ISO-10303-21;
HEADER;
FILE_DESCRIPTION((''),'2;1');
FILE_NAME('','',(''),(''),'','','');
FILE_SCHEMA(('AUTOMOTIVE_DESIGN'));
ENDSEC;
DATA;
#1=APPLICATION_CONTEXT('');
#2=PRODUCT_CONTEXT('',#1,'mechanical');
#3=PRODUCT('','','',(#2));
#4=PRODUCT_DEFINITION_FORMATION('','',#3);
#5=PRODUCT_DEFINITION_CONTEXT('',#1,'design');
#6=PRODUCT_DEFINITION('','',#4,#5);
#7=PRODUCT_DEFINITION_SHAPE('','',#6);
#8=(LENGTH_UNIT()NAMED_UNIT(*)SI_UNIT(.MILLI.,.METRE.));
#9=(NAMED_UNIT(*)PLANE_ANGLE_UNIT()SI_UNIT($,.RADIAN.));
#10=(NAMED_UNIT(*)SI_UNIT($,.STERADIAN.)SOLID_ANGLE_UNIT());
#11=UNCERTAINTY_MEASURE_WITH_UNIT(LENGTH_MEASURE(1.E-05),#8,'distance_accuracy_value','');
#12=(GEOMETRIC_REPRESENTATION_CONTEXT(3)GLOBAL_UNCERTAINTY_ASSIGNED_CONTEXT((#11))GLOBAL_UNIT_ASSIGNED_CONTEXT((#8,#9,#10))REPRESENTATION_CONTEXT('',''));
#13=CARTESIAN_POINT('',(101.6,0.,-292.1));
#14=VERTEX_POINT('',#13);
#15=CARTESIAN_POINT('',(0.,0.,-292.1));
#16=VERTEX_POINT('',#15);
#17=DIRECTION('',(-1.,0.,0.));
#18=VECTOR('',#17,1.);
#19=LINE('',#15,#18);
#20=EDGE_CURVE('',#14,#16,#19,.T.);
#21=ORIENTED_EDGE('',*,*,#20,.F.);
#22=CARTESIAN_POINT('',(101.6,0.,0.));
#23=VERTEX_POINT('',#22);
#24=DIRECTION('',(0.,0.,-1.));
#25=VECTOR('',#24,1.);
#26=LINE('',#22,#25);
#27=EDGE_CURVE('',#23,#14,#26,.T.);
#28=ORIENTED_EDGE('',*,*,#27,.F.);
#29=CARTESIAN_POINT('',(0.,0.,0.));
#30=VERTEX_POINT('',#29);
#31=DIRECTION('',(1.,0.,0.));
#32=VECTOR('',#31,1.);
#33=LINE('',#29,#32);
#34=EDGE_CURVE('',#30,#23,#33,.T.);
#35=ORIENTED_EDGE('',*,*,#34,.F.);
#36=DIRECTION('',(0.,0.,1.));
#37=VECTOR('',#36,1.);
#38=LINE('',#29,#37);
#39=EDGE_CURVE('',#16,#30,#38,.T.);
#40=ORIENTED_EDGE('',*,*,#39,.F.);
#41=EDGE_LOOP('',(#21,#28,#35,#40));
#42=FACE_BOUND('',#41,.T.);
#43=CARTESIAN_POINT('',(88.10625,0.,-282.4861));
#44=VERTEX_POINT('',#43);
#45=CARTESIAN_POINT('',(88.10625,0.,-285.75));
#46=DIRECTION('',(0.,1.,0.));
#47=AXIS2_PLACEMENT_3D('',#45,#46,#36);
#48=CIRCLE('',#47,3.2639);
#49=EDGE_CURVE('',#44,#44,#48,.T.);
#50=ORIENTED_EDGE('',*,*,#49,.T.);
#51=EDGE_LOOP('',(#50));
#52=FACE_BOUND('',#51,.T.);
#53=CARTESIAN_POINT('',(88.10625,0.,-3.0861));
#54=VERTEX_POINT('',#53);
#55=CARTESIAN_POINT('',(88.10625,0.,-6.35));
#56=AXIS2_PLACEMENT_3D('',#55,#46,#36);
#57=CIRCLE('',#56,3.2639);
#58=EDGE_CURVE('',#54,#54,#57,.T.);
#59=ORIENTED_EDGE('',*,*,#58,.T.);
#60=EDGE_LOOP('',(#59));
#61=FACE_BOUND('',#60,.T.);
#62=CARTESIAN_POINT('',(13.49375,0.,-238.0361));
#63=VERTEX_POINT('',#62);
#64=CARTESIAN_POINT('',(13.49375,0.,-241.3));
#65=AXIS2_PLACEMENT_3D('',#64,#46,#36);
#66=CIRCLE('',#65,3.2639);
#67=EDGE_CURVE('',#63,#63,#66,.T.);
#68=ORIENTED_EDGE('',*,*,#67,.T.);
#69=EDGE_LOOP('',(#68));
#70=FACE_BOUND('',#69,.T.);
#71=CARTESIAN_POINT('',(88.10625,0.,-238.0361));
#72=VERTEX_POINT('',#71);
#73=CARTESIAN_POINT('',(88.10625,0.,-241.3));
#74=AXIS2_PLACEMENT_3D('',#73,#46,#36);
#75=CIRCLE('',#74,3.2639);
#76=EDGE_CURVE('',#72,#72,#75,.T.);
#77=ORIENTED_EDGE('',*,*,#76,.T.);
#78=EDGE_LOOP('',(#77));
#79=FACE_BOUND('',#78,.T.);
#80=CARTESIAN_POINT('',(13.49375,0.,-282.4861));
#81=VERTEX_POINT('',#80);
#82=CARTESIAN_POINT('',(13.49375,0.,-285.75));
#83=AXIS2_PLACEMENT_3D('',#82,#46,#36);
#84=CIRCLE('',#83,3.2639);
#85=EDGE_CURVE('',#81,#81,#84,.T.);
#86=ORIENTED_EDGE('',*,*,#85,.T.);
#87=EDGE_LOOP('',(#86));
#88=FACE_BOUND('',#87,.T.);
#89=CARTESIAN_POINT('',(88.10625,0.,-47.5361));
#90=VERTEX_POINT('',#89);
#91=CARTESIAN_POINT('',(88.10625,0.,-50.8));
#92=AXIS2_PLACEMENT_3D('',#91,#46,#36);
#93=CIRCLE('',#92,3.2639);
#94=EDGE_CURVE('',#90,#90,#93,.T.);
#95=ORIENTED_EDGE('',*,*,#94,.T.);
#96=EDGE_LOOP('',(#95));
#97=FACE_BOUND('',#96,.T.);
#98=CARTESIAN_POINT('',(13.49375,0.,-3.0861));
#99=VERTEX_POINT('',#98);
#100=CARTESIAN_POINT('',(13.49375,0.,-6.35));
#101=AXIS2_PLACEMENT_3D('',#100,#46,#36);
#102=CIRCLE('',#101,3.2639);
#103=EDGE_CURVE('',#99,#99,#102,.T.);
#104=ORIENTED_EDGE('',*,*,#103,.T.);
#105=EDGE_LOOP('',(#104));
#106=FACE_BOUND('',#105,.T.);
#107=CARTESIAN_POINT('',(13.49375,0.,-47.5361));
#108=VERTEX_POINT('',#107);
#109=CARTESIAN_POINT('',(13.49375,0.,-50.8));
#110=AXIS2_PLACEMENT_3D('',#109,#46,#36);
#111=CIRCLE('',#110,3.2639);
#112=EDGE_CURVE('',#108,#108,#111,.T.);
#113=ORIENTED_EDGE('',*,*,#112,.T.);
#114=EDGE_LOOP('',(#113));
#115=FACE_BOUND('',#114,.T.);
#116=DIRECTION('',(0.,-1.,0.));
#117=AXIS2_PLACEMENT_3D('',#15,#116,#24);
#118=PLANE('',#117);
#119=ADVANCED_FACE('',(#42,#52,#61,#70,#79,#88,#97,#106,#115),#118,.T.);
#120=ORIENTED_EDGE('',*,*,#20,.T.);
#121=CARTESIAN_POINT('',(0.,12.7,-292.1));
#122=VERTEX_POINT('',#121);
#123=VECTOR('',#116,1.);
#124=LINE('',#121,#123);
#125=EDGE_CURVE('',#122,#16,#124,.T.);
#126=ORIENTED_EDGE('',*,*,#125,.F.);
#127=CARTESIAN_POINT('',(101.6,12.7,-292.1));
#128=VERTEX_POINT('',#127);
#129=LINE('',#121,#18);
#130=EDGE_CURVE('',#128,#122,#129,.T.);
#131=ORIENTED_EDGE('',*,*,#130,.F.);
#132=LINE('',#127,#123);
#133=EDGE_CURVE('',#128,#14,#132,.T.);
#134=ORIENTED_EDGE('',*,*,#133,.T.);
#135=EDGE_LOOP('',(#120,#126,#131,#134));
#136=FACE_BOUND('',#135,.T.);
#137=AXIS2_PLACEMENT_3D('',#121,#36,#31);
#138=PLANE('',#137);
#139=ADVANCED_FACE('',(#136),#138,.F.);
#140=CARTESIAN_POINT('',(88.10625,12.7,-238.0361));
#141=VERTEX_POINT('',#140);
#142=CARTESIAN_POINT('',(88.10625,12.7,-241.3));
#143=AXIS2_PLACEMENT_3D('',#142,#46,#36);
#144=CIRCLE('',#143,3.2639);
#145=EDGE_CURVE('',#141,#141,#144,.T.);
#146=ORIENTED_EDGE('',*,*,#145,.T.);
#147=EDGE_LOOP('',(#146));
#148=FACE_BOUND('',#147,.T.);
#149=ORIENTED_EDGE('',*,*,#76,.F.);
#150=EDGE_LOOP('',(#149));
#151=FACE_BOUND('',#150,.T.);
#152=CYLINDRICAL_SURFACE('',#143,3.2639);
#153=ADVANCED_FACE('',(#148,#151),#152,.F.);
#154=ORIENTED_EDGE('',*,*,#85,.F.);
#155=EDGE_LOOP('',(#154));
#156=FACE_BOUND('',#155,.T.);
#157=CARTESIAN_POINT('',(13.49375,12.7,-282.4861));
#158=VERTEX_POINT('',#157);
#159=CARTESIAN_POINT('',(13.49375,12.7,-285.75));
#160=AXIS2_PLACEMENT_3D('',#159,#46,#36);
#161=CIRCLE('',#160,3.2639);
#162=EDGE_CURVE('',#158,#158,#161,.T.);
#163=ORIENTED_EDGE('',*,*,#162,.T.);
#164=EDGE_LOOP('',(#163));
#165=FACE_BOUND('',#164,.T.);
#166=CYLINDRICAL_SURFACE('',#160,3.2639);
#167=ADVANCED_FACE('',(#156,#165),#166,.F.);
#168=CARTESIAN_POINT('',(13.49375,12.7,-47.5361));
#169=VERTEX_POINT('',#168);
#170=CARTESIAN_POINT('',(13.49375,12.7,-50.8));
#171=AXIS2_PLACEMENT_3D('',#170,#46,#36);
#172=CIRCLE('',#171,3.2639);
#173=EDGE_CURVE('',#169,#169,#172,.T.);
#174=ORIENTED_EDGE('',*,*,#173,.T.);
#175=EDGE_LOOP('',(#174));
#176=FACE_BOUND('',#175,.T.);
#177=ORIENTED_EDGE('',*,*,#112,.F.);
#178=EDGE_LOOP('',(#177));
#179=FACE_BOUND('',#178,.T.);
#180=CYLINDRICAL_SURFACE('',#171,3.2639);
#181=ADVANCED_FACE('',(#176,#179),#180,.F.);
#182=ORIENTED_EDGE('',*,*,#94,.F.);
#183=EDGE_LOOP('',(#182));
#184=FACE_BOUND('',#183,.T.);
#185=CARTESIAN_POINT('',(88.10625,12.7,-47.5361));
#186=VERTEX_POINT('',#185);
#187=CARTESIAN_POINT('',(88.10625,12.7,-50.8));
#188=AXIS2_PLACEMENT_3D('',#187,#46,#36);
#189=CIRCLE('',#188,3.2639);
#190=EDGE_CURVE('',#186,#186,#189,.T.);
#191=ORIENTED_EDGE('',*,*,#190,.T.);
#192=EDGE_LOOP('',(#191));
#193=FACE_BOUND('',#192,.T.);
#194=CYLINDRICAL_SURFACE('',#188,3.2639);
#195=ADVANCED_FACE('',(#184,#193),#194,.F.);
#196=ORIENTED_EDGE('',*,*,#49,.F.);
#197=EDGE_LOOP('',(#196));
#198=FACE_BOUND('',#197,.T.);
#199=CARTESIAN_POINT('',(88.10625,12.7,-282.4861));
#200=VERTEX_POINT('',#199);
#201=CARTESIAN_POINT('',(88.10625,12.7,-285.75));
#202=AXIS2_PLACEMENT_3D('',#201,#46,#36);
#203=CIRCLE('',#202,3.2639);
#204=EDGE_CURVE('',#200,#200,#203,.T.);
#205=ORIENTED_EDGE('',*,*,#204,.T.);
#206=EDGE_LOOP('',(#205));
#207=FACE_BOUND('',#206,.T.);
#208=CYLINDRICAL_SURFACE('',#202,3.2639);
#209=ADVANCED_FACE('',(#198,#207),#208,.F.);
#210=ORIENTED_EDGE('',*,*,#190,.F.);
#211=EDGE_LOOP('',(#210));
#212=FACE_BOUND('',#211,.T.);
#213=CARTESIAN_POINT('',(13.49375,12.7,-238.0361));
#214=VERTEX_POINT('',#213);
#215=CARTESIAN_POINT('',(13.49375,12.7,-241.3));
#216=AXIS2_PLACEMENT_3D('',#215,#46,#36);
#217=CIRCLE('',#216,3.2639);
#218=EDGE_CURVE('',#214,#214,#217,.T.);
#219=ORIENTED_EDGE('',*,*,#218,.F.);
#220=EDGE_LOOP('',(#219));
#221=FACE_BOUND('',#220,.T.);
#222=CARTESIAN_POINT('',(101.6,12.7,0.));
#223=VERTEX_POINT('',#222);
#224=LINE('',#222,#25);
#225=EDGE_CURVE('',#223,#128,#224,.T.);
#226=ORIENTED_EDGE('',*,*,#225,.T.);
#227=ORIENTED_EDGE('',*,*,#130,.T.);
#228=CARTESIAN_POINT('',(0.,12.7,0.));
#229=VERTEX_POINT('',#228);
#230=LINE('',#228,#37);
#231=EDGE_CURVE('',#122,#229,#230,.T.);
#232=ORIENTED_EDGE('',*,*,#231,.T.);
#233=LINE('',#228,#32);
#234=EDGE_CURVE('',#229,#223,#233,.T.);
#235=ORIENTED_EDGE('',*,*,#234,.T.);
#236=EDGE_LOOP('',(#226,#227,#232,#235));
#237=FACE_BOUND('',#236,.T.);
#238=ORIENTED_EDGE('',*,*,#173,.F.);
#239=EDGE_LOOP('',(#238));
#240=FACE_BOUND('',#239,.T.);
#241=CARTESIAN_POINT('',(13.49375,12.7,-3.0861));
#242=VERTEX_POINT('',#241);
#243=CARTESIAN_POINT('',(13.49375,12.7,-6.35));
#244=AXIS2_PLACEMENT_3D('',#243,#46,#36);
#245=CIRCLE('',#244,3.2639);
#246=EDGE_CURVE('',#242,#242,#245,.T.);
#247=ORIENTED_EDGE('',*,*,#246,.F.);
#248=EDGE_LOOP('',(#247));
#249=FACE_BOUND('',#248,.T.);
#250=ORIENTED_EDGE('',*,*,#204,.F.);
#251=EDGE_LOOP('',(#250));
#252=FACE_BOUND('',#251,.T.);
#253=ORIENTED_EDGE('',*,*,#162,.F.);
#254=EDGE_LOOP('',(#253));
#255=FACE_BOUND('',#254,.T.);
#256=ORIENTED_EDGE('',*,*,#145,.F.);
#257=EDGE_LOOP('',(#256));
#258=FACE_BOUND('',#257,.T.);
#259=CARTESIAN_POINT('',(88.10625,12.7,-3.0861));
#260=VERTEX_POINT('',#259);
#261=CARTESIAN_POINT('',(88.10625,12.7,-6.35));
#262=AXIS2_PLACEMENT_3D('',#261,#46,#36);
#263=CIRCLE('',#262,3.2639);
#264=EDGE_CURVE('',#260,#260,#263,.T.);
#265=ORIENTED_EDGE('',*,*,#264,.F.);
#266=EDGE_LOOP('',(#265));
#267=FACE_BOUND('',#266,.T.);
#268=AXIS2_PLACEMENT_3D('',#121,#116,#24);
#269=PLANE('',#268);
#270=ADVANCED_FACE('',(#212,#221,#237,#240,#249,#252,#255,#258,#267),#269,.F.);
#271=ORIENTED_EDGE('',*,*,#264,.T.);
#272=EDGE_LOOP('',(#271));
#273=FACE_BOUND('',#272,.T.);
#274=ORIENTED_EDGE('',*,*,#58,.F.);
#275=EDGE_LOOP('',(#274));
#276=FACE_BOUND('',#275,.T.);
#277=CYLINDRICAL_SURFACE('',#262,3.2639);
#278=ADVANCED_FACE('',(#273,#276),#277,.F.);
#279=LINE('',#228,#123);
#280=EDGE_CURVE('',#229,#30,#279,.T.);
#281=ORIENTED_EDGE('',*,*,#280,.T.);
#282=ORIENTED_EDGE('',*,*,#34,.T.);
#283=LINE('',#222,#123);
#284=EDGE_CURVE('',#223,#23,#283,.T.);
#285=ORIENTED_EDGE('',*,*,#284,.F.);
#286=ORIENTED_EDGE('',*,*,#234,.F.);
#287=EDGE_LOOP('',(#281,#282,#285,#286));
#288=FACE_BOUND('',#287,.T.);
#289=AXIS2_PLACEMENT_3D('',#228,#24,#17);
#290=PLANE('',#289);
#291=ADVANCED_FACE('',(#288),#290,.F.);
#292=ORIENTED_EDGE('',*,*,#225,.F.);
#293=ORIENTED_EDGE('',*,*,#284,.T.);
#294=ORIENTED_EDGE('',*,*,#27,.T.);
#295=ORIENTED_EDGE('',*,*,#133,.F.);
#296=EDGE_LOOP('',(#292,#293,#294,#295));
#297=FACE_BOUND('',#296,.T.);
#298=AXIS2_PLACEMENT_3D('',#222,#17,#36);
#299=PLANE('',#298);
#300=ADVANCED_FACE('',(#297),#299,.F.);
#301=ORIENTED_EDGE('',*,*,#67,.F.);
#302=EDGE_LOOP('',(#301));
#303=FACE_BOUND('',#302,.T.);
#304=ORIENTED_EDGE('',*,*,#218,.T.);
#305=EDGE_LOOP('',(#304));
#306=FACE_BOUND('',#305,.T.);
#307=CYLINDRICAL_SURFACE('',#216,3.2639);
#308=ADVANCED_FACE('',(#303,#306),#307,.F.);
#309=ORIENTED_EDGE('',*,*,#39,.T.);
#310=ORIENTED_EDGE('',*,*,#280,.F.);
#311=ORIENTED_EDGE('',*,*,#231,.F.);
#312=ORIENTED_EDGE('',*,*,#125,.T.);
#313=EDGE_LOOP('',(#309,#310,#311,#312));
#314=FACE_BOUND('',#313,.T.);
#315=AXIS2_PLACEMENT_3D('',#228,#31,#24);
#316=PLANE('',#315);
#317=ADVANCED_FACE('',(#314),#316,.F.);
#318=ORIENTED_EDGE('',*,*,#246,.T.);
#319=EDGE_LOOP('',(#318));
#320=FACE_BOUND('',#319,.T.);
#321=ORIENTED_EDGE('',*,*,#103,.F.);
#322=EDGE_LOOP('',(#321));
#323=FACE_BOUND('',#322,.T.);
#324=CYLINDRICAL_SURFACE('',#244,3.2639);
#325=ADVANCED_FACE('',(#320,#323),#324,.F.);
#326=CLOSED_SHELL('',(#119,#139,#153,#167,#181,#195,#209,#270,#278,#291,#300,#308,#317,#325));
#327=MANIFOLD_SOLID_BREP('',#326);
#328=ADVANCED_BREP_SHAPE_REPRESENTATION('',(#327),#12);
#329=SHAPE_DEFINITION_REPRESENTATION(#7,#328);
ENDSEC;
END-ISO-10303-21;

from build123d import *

# Parameters (mm, degrees)
SKETCH1_W                = 101.6
SKETCH1_H                = 292.1
EXTRUDE1_DEPTH           = 12.7
F_5_16_18_TAPPED_HOLE1_D = 6.5278


with BuildPart() as part:
    # Sketch1 → Extrude1 (new body)
    with BuildSketch(Plane(origin=(0, 0, 0), x_dir=(1, 0, 0), z_dir=(0, 1, 0))):
        with Locations((50.8, 146.05)):
            Rectangle(SKETCH1_W, SKETCH1_H)
    extrude(amount=EXTRUDE1_DEPTH)

    # 5/16-18 Tapped Hole1 (through all)
    with Locations(Plane(origin=(0, 12.7, 0), x_dir=(-1, 0, 0), z_dir=(0, 1, 0))):
        with Locations((-88.10625, -6.35), (-13.49375, -241.3), (-88.10625, -241.3), (-88.10625, -285.75), (-13.49375, -285.75), (-88.10625, -50.8), (-13.49375, -50.8), (-13.49375, -6.35)):
            Hole(F_5_16_18_TAPPED_HOLE1_D / 2)


solid = part.part
